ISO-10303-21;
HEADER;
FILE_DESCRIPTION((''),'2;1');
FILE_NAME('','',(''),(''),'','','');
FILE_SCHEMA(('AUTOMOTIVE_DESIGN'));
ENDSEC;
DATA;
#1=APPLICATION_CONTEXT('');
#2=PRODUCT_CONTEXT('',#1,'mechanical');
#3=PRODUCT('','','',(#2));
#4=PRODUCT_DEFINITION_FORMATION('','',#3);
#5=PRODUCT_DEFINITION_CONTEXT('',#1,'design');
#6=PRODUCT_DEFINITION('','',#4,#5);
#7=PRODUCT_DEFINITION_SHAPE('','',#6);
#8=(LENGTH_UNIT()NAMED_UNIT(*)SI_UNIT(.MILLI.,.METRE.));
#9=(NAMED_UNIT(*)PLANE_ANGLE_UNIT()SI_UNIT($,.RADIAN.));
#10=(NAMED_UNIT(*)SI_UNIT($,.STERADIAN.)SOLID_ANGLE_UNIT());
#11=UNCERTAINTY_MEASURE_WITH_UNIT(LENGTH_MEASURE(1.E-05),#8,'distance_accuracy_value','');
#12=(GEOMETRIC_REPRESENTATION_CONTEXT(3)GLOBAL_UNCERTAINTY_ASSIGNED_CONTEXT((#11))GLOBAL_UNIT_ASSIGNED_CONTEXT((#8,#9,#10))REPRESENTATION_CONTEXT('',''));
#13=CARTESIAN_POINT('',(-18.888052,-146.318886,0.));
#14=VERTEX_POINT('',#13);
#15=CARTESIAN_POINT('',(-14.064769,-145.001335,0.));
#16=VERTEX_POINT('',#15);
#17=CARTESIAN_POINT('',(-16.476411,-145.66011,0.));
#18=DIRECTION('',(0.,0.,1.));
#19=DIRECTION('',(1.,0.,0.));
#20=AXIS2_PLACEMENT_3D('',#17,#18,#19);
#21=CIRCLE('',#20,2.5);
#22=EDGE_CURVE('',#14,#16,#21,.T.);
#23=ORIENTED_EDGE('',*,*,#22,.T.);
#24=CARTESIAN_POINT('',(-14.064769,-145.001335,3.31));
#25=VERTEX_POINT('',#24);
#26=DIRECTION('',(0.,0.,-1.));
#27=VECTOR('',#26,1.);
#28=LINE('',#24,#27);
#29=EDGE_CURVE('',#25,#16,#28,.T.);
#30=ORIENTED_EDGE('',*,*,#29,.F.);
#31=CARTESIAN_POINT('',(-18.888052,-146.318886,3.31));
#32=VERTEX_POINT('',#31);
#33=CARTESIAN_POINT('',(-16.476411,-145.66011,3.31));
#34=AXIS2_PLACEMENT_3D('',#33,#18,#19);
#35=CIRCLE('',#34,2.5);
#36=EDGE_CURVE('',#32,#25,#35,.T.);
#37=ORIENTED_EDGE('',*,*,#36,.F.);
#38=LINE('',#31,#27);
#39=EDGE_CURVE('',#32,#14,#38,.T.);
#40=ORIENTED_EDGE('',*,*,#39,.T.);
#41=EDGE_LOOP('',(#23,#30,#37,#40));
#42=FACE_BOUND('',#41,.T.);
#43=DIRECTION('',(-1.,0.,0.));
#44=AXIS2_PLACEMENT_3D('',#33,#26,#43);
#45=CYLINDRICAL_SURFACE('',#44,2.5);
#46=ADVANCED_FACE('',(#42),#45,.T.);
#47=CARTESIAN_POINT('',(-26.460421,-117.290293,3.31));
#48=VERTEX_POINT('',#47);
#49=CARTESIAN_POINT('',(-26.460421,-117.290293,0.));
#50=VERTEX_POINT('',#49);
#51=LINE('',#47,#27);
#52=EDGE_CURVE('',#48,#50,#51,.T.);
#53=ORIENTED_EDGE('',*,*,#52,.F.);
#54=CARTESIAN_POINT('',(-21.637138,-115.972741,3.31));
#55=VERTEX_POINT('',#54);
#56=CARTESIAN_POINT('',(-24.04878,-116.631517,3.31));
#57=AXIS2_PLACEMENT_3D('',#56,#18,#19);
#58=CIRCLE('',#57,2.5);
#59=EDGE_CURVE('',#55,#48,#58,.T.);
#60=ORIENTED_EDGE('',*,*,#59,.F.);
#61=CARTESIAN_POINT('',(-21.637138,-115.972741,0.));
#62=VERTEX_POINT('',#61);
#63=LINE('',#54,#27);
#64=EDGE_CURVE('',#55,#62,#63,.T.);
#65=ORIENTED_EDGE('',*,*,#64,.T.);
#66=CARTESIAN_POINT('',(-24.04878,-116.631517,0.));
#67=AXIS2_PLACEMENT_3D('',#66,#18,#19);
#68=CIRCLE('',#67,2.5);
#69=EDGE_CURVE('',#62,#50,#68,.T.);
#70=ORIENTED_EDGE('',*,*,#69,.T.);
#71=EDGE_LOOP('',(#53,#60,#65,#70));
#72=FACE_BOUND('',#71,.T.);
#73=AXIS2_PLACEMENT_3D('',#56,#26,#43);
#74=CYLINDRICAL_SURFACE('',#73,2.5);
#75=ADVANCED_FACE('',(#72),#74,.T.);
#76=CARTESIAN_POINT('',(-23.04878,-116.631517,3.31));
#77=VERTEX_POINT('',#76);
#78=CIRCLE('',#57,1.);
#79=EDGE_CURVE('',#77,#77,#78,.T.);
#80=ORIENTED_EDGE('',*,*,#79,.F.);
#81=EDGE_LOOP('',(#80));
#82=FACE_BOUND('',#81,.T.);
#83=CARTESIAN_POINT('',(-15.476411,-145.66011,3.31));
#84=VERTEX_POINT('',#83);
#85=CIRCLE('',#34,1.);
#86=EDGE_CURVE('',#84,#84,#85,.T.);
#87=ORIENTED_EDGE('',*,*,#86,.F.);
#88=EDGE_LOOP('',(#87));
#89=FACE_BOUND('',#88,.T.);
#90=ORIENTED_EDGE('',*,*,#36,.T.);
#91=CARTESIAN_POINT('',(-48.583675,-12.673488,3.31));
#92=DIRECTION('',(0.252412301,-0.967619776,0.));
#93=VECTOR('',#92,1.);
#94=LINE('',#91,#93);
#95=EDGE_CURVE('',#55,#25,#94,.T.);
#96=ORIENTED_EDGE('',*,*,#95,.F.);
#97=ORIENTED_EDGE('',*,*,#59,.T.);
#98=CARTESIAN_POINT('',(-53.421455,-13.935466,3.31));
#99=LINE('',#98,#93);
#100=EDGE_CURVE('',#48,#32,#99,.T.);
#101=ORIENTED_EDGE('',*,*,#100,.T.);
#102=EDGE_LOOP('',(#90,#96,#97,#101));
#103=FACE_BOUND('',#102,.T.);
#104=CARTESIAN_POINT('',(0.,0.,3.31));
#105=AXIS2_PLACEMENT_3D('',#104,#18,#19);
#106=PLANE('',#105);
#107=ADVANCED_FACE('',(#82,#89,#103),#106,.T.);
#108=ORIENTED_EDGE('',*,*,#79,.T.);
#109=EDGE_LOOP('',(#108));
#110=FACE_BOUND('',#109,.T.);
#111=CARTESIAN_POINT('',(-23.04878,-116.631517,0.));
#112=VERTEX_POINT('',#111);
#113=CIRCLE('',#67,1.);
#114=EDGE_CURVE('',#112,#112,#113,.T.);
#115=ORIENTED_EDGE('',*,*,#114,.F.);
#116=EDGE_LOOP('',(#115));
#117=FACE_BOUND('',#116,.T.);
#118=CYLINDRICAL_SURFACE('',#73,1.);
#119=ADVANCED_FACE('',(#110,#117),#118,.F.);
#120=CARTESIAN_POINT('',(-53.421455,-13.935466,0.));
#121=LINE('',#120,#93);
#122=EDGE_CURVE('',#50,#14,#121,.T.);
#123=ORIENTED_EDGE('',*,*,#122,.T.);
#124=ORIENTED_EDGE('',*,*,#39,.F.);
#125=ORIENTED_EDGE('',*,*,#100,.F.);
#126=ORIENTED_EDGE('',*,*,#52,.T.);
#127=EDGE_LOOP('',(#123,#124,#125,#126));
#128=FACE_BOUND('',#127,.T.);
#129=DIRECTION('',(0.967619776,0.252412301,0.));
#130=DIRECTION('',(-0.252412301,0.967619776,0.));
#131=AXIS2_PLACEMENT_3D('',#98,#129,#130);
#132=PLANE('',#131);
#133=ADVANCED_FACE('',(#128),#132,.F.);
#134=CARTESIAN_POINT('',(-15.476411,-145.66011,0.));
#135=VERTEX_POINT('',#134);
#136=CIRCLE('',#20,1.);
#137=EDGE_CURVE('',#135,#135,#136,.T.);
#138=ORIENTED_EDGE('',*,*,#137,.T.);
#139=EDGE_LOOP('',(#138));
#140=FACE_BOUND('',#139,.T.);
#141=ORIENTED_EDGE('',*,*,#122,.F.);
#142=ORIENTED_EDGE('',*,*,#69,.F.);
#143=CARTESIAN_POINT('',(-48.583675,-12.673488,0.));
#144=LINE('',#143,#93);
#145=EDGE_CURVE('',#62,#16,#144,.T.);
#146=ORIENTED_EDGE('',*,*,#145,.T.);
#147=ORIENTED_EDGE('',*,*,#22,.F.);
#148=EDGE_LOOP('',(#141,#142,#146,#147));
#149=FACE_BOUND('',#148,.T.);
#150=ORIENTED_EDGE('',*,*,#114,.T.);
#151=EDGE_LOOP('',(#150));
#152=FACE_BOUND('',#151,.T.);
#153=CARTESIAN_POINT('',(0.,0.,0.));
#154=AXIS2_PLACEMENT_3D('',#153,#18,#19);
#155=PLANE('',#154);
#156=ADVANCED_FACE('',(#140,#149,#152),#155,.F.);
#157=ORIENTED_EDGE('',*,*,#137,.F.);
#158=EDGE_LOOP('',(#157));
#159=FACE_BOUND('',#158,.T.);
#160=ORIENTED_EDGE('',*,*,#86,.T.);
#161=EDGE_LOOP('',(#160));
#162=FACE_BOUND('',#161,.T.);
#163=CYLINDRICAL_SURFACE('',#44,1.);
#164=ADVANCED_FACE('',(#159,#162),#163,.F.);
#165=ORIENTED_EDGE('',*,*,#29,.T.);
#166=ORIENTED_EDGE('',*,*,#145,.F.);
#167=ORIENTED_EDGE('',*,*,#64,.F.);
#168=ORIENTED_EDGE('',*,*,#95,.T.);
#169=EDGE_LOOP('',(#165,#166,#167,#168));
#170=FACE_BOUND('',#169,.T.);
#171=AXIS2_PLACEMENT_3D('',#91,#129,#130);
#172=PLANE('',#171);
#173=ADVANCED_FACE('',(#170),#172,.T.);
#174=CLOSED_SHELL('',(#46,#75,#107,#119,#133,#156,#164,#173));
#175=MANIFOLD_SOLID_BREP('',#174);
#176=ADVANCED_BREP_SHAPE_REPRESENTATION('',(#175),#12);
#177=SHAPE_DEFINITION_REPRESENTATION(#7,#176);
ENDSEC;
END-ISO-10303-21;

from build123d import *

# Parameters (mm, degrees)
SKETCH1_R           = 1
BOSS_EXTRUDE1_DEPTH = 3.31


with BuildPart() as part:
    # Sketch1 → Boss-Extrude1 (new body)
    with BuildSketch(Plane.XY):
        with BuildLine():
            ThreePointArc((-21.637138103, -115.972741453), (-24.707555295, -114.219875722), (-26.460421026, -117.290292914))
            Line((-26.460421026, -117.290292914), (-18.888051993, -146.318886184))
            ThreePointArc((-18.888051993, -146.318886184), (-15.817634801, -148.071751915), (-14.06476907, -145.001334723))
            Line((-14.06476907, -145.001334723), (-21.637138103, -115.972741453))
        make_face()
        with Locations((-16.476410532, -145.660110453)):
            Circle(SKETCH1_R, mode=Mode.SUBTRACT)
        with Locations((-24.048779565, -116.631517184)):
            Circle(SKETCH1_R, mode=Mode.SUBTRACT)
    extrude(amount=BOSS_EXTRUDE1_DEPTH)


solid = part.part
